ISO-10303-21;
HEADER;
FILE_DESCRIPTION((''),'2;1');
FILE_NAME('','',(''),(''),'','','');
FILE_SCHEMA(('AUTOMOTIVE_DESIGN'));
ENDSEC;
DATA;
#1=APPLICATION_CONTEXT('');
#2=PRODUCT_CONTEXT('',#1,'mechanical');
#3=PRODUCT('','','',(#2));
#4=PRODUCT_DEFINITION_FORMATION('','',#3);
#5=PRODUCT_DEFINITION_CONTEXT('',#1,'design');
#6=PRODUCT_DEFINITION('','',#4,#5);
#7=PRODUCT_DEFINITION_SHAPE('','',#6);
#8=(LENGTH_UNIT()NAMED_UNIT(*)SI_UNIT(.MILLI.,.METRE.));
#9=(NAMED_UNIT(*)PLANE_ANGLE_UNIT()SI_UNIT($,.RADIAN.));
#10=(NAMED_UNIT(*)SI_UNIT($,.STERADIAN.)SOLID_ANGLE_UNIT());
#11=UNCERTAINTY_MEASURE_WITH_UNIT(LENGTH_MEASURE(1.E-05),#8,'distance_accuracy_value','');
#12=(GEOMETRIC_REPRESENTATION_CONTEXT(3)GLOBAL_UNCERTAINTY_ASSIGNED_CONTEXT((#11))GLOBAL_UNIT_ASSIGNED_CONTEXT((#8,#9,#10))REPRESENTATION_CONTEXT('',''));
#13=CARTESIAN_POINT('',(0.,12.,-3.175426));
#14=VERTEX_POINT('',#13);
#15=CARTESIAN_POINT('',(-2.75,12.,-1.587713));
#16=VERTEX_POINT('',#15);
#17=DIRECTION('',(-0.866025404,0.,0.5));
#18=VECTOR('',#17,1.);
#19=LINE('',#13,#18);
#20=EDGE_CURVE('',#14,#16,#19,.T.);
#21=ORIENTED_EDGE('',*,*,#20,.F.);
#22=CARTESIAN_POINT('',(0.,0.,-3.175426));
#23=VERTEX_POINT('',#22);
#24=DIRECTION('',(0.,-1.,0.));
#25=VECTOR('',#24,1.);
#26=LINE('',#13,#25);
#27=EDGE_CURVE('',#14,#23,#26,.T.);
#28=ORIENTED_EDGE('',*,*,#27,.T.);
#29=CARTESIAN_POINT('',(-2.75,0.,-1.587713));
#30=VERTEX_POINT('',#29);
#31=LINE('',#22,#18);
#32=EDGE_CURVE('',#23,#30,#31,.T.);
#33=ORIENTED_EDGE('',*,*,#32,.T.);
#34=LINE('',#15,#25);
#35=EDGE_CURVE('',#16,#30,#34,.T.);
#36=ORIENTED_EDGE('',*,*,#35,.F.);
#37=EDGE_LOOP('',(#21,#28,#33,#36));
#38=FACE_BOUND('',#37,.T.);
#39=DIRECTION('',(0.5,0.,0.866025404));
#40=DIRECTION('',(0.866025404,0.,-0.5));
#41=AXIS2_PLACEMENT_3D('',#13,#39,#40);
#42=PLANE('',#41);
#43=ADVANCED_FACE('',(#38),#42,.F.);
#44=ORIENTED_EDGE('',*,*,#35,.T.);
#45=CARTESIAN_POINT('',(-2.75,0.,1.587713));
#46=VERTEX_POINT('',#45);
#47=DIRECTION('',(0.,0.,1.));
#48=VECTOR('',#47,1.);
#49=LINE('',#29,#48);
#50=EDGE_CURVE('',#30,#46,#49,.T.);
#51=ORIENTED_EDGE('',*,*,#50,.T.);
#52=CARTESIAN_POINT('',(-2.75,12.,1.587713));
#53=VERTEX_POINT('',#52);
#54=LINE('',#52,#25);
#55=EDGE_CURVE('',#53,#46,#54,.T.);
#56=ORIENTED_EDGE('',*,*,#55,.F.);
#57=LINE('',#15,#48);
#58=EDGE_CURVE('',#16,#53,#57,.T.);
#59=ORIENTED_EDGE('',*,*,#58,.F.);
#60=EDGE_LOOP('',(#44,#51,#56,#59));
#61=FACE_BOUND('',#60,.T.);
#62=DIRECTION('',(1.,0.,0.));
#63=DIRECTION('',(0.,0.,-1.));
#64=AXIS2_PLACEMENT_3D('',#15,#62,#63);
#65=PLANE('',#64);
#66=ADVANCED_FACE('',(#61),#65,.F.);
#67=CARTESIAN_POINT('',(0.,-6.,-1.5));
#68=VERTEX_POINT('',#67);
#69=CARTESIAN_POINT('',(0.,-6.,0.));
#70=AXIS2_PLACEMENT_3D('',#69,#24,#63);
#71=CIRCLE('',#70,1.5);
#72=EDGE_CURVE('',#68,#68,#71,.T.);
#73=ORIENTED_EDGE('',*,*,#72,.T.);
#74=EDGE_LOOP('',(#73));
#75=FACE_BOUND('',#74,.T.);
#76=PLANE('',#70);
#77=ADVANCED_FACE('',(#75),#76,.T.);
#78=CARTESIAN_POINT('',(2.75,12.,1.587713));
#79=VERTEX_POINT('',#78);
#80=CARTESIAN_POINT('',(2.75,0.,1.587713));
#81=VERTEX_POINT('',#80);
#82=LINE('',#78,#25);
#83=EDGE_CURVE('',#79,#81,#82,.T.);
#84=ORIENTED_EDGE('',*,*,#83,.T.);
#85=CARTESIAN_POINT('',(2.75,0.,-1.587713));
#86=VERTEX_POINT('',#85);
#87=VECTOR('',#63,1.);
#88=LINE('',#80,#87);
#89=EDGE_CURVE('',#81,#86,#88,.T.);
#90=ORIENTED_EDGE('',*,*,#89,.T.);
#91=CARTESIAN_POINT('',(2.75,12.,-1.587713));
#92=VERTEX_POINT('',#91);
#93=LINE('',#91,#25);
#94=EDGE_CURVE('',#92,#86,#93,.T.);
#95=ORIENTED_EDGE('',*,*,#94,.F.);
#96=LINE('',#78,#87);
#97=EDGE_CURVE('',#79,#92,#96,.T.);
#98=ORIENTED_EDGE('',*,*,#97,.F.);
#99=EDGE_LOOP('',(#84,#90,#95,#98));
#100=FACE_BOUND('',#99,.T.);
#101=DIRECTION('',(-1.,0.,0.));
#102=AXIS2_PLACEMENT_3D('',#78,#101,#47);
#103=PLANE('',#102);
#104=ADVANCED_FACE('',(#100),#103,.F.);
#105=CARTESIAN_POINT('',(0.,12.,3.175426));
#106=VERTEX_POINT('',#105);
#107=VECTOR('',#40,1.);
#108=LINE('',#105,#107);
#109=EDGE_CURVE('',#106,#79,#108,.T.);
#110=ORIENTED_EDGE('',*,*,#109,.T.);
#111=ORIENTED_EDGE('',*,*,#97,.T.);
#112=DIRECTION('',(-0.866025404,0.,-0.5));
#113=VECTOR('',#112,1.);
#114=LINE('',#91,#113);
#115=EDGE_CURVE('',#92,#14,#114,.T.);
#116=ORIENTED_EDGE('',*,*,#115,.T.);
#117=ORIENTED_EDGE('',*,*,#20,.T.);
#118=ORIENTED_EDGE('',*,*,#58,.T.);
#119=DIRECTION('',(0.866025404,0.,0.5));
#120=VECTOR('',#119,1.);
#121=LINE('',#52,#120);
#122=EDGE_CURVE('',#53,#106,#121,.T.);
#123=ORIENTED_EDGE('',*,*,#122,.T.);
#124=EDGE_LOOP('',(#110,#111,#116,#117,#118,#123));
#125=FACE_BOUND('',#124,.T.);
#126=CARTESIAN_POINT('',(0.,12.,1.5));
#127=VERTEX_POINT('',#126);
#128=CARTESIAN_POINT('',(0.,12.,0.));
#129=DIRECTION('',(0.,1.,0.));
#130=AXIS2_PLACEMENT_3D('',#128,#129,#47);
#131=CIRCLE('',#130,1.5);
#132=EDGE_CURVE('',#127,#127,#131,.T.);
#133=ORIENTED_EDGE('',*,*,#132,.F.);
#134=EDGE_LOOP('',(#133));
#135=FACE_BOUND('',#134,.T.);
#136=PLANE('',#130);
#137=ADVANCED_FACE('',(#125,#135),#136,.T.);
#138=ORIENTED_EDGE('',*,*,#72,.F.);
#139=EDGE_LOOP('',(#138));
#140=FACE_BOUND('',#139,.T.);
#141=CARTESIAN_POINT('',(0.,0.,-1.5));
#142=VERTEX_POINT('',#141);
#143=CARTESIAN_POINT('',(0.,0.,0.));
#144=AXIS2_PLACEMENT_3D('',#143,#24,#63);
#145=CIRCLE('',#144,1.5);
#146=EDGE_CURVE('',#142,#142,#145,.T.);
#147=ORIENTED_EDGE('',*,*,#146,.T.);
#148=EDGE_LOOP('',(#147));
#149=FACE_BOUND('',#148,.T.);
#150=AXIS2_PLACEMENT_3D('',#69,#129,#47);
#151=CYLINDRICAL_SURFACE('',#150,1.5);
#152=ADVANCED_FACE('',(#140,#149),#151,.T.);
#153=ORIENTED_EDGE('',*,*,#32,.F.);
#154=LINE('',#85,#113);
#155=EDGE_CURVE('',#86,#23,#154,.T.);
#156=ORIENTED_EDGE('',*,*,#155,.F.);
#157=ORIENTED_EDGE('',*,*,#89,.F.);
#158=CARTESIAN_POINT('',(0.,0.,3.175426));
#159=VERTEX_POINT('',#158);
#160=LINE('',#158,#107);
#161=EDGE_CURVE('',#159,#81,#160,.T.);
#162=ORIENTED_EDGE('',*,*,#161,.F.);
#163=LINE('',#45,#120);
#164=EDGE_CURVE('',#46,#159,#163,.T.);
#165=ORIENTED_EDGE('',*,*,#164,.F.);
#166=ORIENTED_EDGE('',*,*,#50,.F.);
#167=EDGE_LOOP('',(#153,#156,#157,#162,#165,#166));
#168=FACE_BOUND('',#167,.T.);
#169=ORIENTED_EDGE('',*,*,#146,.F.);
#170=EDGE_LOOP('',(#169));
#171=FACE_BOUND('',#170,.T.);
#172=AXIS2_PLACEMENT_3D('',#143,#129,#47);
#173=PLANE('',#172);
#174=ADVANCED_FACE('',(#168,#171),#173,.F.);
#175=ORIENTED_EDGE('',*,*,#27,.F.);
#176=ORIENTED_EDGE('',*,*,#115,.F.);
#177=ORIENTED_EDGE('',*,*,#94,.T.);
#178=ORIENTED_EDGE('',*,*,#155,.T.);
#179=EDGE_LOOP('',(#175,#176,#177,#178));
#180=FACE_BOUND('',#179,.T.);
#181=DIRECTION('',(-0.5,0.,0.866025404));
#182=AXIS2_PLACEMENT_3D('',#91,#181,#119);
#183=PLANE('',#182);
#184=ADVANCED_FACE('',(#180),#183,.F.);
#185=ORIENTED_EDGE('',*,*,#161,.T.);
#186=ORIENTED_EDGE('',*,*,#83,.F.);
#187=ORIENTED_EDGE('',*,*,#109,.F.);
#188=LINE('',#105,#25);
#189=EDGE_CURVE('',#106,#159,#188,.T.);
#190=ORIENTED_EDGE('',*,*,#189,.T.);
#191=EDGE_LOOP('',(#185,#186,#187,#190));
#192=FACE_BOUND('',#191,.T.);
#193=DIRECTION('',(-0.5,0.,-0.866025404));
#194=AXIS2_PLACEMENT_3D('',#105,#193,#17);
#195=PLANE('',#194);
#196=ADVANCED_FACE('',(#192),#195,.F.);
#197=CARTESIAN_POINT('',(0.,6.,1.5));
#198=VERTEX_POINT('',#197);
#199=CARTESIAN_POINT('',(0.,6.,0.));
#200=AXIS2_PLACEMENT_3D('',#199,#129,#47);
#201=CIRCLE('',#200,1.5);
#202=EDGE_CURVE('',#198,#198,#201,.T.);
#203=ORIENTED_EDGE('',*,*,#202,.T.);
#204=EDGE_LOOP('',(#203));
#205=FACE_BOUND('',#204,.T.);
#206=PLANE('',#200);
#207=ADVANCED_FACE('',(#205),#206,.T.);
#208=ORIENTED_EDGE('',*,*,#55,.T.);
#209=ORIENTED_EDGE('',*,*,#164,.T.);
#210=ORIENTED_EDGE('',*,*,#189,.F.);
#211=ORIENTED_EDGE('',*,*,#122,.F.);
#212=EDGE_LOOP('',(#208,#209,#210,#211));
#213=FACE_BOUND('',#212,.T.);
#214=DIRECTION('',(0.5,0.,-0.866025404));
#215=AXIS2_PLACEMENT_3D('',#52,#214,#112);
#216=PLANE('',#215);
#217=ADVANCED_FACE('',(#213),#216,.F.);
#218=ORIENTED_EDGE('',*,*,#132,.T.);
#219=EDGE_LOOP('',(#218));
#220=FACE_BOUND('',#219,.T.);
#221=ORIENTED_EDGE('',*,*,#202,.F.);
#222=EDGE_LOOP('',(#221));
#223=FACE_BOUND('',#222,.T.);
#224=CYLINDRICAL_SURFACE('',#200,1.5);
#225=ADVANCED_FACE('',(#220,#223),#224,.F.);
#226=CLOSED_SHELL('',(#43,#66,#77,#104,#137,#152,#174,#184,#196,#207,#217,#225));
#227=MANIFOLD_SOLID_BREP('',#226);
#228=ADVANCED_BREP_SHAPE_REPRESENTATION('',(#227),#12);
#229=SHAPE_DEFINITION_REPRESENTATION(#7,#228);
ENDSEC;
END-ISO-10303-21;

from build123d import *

# Parameters (mm, degrees)
SALIENTE_EXTRUIR1_DEPTH = 12
CROQUIS2_R              = 1.5
SALIENTE_EXTRUIR2_DEPTH = 6
CROQUIS3_R              = 1.5
CORTAR_EXTRUIR1_DEPTH   = 6


with BuildPart() as part:
    # Croquis1 → Saliente-Extruir1 (new body)
    with BuildSketch(Plane(origin=(0, 0, 0), x_dir=(1, 0, 0), z_dir=(0, 1, 0))):
        Polygon((0, 3.175426481), (-2.75, 1.58771324), (-2.75, -1.58771324), (0, -3.175426481), (2.75, -1.58771324), (2.75, 1.58771324), align=None)
    extrude(amount=SALIENTE_EXTRUIR1_DEPTH)

    # Croquis2 → Saliente-Extruir2 (add)
    with BuildSketch(Plane.XZ):
        Circle(CROQUIS2_R)
    extrude(amount=SALIENTE_EXTRUIR2_DEPTH)

    # Croquis3 → Cortar-Extruir1 (cut)
    with BuildSketch(Plane(origin=(0, 12, 0), x_dir=(1, 0, 0), z_dir=(0, 1, 0))):
        Circle(CROQUIS3_R)
    extrude(amount=-CORTAR_EXTRUIR1_DEPTH, mode=Mode.SUBTRACT)


solid = part.part
